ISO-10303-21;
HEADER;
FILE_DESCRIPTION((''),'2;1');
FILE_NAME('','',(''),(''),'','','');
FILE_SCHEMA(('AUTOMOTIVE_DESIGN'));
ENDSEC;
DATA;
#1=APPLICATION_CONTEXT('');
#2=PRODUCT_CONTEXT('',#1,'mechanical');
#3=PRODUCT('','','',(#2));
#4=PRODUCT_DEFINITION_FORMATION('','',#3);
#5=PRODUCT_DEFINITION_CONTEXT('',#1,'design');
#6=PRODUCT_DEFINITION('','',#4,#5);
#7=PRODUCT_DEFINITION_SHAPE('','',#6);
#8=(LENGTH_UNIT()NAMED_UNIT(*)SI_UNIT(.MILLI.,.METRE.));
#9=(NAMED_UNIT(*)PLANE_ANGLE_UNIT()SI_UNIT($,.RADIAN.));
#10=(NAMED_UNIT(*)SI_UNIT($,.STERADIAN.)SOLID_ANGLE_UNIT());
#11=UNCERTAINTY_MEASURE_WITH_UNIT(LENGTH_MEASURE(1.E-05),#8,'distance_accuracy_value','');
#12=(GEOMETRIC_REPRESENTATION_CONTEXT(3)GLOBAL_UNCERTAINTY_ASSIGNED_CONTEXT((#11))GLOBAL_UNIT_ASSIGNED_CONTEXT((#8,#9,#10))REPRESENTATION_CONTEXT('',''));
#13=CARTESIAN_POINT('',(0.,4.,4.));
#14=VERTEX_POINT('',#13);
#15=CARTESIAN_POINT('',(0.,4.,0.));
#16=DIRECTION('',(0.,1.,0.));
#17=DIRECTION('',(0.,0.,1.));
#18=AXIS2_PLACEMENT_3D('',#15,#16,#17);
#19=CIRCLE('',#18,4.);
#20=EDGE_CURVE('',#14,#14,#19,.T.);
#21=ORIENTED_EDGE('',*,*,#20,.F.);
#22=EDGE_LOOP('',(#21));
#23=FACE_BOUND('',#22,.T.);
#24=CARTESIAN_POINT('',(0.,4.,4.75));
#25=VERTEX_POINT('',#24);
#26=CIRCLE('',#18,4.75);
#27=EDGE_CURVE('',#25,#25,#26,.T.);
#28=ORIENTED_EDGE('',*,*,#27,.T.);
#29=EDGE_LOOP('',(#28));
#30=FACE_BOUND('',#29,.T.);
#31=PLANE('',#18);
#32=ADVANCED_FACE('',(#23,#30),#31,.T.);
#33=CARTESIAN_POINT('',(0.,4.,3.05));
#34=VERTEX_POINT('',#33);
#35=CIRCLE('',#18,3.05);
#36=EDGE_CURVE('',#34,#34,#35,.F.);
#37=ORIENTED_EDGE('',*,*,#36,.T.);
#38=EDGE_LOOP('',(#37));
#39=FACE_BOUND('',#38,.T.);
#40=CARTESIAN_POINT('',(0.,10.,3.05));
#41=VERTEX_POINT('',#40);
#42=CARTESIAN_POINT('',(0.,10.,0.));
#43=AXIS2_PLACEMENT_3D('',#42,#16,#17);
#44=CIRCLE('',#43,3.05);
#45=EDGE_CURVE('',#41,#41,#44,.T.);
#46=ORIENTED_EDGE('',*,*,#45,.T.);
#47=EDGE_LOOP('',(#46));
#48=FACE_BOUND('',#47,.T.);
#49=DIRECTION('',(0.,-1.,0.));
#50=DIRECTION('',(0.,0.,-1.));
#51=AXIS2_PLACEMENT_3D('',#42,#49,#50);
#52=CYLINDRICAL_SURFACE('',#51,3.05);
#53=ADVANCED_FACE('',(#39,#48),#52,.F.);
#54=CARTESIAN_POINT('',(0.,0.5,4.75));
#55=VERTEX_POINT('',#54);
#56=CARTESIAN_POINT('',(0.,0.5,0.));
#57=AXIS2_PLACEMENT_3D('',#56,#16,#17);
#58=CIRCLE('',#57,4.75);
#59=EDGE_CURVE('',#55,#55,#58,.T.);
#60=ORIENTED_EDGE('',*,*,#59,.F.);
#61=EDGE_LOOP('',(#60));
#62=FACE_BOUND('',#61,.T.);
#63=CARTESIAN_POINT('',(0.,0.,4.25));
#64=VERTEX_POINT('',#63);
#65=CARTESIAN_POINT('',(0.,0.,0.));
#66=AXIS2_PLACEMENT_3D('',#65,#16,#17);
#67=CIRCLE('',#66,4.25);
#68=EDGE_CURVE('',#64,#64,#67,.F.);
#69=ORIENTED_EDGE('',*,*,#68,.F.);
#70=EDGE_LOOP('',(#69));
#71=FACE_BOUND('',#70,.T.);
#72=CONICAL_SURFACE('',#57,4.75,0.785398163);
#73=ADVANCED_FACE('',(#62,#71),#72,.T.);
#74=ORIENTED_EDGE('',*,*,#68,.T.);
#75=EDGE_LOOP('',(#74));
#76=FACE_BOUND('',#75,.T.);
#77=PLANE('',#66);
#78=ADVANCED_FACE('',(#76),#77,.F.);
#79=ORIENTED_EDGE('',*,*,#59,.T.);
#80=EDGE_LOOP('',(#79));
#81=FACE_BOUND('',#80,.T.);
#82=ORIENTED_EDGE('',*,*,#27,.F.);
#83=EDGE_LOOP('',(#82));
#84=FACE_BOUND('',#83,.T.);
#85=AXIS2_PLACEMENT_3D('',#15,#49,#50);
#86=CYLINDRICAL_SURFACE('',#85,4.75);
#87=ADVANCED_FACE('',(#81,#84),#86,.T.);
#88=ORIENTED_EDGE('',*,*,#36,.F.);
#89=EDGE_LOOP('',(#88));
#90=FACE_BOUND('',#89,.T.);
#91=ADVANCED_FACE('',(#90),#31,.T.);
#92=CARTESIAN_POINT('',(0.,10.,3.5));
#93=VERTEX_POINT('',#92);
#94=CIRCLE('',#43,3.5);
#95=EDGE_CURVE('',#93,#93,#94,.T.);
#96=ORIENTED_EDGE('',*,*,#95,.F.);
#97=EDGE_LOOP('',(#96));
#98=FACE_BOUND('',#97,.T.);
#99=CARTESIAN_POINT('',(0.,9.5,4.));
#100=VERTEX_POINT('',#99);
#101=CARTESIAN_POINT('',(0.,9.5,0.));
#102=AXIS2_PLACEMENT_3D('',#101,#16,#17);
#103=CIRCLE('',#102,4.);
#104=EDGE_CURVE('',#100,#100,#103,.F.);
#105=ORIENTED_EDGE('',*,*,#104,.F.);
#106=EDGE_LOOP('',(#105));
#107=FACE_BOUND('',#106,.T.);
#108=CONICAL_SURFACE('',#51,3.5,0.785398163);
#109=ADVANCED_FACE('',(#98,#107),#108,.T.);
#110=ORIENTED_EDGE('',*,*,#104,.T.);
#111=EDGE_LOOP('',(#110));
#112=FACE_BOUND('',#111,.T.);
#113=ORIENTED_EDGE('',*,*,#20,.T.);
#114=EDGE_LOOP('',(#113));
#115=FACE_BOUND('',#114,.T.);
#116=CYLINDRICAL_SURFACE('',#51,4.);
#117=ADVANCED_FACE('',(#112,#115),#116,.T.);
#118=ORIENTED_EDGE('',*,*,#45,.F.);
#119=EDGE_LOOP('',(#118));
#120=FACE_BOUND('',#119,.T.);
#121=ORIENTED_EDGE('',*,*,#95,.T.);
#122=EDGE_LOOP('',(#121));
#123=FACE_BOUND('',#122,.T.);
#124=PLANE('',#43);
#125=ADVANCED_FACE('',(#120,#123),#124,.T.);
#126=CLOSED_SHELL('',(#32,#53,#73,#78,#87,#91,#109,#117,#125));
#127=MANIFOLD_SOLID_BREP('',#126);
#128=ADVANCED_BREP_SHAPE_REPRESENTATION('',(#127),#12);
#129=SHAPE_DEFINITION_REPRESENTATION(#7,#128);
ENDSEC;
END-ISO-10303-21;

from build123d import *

# Parameters (mm, degrees)
SKETCH1_R           = 4.75
BOSS_EXTRUDE1_DEPTH = 4
SKETCH2_R           = 4
SKETCH2_R_2         = 3.05
BOSS_EXTRUDE2_DEPTH = 6
CHAMFER1_SIZE       = 0.5


with BuildPart() as part:
    # Sketch1 → Boss-Extrude1 (new body)
    with BuildSketch(Plane(origin=(0, 0, 0), x_dir=(1, 0, 0), z_dir=(0, 1, 0))):
        with Locations(Location((0, 0, 0), (0, 0, 270))):
            Circle(SKETCH1_R)
    extrude(amount=BOSS_EXTRUDE1_DEPTH)

    # Sketch2 → Boss-Extrude2 (add)
    with BuildSketch(Plane(origin=(0, 4, 0), x_dir=(1, 0, 0), z_dir=(0, 1, 0))):
        with Locations(Location((0, 0, 0), (0, 0, 270))):
            Circle(SKETCH2_R)
        with Locations(Location((0, 0, 0), (0, 0, 270))):
            Circle(SKETCH2_R_2, mode=Mode.SUBTRACT)
    extrude(amount=BOSS_EXTRUDE2_DEPTH)

    # Chamfer1
    chamfer1_edges = [part.edges().sort_by_distance(p)[0] for p in [
        (0, 0, -4.75),
        (0, 10, -4),
    ]]
    chamfer(chamfer1_edges, length=CHAMFER1_SIZE)


solid = part.part
